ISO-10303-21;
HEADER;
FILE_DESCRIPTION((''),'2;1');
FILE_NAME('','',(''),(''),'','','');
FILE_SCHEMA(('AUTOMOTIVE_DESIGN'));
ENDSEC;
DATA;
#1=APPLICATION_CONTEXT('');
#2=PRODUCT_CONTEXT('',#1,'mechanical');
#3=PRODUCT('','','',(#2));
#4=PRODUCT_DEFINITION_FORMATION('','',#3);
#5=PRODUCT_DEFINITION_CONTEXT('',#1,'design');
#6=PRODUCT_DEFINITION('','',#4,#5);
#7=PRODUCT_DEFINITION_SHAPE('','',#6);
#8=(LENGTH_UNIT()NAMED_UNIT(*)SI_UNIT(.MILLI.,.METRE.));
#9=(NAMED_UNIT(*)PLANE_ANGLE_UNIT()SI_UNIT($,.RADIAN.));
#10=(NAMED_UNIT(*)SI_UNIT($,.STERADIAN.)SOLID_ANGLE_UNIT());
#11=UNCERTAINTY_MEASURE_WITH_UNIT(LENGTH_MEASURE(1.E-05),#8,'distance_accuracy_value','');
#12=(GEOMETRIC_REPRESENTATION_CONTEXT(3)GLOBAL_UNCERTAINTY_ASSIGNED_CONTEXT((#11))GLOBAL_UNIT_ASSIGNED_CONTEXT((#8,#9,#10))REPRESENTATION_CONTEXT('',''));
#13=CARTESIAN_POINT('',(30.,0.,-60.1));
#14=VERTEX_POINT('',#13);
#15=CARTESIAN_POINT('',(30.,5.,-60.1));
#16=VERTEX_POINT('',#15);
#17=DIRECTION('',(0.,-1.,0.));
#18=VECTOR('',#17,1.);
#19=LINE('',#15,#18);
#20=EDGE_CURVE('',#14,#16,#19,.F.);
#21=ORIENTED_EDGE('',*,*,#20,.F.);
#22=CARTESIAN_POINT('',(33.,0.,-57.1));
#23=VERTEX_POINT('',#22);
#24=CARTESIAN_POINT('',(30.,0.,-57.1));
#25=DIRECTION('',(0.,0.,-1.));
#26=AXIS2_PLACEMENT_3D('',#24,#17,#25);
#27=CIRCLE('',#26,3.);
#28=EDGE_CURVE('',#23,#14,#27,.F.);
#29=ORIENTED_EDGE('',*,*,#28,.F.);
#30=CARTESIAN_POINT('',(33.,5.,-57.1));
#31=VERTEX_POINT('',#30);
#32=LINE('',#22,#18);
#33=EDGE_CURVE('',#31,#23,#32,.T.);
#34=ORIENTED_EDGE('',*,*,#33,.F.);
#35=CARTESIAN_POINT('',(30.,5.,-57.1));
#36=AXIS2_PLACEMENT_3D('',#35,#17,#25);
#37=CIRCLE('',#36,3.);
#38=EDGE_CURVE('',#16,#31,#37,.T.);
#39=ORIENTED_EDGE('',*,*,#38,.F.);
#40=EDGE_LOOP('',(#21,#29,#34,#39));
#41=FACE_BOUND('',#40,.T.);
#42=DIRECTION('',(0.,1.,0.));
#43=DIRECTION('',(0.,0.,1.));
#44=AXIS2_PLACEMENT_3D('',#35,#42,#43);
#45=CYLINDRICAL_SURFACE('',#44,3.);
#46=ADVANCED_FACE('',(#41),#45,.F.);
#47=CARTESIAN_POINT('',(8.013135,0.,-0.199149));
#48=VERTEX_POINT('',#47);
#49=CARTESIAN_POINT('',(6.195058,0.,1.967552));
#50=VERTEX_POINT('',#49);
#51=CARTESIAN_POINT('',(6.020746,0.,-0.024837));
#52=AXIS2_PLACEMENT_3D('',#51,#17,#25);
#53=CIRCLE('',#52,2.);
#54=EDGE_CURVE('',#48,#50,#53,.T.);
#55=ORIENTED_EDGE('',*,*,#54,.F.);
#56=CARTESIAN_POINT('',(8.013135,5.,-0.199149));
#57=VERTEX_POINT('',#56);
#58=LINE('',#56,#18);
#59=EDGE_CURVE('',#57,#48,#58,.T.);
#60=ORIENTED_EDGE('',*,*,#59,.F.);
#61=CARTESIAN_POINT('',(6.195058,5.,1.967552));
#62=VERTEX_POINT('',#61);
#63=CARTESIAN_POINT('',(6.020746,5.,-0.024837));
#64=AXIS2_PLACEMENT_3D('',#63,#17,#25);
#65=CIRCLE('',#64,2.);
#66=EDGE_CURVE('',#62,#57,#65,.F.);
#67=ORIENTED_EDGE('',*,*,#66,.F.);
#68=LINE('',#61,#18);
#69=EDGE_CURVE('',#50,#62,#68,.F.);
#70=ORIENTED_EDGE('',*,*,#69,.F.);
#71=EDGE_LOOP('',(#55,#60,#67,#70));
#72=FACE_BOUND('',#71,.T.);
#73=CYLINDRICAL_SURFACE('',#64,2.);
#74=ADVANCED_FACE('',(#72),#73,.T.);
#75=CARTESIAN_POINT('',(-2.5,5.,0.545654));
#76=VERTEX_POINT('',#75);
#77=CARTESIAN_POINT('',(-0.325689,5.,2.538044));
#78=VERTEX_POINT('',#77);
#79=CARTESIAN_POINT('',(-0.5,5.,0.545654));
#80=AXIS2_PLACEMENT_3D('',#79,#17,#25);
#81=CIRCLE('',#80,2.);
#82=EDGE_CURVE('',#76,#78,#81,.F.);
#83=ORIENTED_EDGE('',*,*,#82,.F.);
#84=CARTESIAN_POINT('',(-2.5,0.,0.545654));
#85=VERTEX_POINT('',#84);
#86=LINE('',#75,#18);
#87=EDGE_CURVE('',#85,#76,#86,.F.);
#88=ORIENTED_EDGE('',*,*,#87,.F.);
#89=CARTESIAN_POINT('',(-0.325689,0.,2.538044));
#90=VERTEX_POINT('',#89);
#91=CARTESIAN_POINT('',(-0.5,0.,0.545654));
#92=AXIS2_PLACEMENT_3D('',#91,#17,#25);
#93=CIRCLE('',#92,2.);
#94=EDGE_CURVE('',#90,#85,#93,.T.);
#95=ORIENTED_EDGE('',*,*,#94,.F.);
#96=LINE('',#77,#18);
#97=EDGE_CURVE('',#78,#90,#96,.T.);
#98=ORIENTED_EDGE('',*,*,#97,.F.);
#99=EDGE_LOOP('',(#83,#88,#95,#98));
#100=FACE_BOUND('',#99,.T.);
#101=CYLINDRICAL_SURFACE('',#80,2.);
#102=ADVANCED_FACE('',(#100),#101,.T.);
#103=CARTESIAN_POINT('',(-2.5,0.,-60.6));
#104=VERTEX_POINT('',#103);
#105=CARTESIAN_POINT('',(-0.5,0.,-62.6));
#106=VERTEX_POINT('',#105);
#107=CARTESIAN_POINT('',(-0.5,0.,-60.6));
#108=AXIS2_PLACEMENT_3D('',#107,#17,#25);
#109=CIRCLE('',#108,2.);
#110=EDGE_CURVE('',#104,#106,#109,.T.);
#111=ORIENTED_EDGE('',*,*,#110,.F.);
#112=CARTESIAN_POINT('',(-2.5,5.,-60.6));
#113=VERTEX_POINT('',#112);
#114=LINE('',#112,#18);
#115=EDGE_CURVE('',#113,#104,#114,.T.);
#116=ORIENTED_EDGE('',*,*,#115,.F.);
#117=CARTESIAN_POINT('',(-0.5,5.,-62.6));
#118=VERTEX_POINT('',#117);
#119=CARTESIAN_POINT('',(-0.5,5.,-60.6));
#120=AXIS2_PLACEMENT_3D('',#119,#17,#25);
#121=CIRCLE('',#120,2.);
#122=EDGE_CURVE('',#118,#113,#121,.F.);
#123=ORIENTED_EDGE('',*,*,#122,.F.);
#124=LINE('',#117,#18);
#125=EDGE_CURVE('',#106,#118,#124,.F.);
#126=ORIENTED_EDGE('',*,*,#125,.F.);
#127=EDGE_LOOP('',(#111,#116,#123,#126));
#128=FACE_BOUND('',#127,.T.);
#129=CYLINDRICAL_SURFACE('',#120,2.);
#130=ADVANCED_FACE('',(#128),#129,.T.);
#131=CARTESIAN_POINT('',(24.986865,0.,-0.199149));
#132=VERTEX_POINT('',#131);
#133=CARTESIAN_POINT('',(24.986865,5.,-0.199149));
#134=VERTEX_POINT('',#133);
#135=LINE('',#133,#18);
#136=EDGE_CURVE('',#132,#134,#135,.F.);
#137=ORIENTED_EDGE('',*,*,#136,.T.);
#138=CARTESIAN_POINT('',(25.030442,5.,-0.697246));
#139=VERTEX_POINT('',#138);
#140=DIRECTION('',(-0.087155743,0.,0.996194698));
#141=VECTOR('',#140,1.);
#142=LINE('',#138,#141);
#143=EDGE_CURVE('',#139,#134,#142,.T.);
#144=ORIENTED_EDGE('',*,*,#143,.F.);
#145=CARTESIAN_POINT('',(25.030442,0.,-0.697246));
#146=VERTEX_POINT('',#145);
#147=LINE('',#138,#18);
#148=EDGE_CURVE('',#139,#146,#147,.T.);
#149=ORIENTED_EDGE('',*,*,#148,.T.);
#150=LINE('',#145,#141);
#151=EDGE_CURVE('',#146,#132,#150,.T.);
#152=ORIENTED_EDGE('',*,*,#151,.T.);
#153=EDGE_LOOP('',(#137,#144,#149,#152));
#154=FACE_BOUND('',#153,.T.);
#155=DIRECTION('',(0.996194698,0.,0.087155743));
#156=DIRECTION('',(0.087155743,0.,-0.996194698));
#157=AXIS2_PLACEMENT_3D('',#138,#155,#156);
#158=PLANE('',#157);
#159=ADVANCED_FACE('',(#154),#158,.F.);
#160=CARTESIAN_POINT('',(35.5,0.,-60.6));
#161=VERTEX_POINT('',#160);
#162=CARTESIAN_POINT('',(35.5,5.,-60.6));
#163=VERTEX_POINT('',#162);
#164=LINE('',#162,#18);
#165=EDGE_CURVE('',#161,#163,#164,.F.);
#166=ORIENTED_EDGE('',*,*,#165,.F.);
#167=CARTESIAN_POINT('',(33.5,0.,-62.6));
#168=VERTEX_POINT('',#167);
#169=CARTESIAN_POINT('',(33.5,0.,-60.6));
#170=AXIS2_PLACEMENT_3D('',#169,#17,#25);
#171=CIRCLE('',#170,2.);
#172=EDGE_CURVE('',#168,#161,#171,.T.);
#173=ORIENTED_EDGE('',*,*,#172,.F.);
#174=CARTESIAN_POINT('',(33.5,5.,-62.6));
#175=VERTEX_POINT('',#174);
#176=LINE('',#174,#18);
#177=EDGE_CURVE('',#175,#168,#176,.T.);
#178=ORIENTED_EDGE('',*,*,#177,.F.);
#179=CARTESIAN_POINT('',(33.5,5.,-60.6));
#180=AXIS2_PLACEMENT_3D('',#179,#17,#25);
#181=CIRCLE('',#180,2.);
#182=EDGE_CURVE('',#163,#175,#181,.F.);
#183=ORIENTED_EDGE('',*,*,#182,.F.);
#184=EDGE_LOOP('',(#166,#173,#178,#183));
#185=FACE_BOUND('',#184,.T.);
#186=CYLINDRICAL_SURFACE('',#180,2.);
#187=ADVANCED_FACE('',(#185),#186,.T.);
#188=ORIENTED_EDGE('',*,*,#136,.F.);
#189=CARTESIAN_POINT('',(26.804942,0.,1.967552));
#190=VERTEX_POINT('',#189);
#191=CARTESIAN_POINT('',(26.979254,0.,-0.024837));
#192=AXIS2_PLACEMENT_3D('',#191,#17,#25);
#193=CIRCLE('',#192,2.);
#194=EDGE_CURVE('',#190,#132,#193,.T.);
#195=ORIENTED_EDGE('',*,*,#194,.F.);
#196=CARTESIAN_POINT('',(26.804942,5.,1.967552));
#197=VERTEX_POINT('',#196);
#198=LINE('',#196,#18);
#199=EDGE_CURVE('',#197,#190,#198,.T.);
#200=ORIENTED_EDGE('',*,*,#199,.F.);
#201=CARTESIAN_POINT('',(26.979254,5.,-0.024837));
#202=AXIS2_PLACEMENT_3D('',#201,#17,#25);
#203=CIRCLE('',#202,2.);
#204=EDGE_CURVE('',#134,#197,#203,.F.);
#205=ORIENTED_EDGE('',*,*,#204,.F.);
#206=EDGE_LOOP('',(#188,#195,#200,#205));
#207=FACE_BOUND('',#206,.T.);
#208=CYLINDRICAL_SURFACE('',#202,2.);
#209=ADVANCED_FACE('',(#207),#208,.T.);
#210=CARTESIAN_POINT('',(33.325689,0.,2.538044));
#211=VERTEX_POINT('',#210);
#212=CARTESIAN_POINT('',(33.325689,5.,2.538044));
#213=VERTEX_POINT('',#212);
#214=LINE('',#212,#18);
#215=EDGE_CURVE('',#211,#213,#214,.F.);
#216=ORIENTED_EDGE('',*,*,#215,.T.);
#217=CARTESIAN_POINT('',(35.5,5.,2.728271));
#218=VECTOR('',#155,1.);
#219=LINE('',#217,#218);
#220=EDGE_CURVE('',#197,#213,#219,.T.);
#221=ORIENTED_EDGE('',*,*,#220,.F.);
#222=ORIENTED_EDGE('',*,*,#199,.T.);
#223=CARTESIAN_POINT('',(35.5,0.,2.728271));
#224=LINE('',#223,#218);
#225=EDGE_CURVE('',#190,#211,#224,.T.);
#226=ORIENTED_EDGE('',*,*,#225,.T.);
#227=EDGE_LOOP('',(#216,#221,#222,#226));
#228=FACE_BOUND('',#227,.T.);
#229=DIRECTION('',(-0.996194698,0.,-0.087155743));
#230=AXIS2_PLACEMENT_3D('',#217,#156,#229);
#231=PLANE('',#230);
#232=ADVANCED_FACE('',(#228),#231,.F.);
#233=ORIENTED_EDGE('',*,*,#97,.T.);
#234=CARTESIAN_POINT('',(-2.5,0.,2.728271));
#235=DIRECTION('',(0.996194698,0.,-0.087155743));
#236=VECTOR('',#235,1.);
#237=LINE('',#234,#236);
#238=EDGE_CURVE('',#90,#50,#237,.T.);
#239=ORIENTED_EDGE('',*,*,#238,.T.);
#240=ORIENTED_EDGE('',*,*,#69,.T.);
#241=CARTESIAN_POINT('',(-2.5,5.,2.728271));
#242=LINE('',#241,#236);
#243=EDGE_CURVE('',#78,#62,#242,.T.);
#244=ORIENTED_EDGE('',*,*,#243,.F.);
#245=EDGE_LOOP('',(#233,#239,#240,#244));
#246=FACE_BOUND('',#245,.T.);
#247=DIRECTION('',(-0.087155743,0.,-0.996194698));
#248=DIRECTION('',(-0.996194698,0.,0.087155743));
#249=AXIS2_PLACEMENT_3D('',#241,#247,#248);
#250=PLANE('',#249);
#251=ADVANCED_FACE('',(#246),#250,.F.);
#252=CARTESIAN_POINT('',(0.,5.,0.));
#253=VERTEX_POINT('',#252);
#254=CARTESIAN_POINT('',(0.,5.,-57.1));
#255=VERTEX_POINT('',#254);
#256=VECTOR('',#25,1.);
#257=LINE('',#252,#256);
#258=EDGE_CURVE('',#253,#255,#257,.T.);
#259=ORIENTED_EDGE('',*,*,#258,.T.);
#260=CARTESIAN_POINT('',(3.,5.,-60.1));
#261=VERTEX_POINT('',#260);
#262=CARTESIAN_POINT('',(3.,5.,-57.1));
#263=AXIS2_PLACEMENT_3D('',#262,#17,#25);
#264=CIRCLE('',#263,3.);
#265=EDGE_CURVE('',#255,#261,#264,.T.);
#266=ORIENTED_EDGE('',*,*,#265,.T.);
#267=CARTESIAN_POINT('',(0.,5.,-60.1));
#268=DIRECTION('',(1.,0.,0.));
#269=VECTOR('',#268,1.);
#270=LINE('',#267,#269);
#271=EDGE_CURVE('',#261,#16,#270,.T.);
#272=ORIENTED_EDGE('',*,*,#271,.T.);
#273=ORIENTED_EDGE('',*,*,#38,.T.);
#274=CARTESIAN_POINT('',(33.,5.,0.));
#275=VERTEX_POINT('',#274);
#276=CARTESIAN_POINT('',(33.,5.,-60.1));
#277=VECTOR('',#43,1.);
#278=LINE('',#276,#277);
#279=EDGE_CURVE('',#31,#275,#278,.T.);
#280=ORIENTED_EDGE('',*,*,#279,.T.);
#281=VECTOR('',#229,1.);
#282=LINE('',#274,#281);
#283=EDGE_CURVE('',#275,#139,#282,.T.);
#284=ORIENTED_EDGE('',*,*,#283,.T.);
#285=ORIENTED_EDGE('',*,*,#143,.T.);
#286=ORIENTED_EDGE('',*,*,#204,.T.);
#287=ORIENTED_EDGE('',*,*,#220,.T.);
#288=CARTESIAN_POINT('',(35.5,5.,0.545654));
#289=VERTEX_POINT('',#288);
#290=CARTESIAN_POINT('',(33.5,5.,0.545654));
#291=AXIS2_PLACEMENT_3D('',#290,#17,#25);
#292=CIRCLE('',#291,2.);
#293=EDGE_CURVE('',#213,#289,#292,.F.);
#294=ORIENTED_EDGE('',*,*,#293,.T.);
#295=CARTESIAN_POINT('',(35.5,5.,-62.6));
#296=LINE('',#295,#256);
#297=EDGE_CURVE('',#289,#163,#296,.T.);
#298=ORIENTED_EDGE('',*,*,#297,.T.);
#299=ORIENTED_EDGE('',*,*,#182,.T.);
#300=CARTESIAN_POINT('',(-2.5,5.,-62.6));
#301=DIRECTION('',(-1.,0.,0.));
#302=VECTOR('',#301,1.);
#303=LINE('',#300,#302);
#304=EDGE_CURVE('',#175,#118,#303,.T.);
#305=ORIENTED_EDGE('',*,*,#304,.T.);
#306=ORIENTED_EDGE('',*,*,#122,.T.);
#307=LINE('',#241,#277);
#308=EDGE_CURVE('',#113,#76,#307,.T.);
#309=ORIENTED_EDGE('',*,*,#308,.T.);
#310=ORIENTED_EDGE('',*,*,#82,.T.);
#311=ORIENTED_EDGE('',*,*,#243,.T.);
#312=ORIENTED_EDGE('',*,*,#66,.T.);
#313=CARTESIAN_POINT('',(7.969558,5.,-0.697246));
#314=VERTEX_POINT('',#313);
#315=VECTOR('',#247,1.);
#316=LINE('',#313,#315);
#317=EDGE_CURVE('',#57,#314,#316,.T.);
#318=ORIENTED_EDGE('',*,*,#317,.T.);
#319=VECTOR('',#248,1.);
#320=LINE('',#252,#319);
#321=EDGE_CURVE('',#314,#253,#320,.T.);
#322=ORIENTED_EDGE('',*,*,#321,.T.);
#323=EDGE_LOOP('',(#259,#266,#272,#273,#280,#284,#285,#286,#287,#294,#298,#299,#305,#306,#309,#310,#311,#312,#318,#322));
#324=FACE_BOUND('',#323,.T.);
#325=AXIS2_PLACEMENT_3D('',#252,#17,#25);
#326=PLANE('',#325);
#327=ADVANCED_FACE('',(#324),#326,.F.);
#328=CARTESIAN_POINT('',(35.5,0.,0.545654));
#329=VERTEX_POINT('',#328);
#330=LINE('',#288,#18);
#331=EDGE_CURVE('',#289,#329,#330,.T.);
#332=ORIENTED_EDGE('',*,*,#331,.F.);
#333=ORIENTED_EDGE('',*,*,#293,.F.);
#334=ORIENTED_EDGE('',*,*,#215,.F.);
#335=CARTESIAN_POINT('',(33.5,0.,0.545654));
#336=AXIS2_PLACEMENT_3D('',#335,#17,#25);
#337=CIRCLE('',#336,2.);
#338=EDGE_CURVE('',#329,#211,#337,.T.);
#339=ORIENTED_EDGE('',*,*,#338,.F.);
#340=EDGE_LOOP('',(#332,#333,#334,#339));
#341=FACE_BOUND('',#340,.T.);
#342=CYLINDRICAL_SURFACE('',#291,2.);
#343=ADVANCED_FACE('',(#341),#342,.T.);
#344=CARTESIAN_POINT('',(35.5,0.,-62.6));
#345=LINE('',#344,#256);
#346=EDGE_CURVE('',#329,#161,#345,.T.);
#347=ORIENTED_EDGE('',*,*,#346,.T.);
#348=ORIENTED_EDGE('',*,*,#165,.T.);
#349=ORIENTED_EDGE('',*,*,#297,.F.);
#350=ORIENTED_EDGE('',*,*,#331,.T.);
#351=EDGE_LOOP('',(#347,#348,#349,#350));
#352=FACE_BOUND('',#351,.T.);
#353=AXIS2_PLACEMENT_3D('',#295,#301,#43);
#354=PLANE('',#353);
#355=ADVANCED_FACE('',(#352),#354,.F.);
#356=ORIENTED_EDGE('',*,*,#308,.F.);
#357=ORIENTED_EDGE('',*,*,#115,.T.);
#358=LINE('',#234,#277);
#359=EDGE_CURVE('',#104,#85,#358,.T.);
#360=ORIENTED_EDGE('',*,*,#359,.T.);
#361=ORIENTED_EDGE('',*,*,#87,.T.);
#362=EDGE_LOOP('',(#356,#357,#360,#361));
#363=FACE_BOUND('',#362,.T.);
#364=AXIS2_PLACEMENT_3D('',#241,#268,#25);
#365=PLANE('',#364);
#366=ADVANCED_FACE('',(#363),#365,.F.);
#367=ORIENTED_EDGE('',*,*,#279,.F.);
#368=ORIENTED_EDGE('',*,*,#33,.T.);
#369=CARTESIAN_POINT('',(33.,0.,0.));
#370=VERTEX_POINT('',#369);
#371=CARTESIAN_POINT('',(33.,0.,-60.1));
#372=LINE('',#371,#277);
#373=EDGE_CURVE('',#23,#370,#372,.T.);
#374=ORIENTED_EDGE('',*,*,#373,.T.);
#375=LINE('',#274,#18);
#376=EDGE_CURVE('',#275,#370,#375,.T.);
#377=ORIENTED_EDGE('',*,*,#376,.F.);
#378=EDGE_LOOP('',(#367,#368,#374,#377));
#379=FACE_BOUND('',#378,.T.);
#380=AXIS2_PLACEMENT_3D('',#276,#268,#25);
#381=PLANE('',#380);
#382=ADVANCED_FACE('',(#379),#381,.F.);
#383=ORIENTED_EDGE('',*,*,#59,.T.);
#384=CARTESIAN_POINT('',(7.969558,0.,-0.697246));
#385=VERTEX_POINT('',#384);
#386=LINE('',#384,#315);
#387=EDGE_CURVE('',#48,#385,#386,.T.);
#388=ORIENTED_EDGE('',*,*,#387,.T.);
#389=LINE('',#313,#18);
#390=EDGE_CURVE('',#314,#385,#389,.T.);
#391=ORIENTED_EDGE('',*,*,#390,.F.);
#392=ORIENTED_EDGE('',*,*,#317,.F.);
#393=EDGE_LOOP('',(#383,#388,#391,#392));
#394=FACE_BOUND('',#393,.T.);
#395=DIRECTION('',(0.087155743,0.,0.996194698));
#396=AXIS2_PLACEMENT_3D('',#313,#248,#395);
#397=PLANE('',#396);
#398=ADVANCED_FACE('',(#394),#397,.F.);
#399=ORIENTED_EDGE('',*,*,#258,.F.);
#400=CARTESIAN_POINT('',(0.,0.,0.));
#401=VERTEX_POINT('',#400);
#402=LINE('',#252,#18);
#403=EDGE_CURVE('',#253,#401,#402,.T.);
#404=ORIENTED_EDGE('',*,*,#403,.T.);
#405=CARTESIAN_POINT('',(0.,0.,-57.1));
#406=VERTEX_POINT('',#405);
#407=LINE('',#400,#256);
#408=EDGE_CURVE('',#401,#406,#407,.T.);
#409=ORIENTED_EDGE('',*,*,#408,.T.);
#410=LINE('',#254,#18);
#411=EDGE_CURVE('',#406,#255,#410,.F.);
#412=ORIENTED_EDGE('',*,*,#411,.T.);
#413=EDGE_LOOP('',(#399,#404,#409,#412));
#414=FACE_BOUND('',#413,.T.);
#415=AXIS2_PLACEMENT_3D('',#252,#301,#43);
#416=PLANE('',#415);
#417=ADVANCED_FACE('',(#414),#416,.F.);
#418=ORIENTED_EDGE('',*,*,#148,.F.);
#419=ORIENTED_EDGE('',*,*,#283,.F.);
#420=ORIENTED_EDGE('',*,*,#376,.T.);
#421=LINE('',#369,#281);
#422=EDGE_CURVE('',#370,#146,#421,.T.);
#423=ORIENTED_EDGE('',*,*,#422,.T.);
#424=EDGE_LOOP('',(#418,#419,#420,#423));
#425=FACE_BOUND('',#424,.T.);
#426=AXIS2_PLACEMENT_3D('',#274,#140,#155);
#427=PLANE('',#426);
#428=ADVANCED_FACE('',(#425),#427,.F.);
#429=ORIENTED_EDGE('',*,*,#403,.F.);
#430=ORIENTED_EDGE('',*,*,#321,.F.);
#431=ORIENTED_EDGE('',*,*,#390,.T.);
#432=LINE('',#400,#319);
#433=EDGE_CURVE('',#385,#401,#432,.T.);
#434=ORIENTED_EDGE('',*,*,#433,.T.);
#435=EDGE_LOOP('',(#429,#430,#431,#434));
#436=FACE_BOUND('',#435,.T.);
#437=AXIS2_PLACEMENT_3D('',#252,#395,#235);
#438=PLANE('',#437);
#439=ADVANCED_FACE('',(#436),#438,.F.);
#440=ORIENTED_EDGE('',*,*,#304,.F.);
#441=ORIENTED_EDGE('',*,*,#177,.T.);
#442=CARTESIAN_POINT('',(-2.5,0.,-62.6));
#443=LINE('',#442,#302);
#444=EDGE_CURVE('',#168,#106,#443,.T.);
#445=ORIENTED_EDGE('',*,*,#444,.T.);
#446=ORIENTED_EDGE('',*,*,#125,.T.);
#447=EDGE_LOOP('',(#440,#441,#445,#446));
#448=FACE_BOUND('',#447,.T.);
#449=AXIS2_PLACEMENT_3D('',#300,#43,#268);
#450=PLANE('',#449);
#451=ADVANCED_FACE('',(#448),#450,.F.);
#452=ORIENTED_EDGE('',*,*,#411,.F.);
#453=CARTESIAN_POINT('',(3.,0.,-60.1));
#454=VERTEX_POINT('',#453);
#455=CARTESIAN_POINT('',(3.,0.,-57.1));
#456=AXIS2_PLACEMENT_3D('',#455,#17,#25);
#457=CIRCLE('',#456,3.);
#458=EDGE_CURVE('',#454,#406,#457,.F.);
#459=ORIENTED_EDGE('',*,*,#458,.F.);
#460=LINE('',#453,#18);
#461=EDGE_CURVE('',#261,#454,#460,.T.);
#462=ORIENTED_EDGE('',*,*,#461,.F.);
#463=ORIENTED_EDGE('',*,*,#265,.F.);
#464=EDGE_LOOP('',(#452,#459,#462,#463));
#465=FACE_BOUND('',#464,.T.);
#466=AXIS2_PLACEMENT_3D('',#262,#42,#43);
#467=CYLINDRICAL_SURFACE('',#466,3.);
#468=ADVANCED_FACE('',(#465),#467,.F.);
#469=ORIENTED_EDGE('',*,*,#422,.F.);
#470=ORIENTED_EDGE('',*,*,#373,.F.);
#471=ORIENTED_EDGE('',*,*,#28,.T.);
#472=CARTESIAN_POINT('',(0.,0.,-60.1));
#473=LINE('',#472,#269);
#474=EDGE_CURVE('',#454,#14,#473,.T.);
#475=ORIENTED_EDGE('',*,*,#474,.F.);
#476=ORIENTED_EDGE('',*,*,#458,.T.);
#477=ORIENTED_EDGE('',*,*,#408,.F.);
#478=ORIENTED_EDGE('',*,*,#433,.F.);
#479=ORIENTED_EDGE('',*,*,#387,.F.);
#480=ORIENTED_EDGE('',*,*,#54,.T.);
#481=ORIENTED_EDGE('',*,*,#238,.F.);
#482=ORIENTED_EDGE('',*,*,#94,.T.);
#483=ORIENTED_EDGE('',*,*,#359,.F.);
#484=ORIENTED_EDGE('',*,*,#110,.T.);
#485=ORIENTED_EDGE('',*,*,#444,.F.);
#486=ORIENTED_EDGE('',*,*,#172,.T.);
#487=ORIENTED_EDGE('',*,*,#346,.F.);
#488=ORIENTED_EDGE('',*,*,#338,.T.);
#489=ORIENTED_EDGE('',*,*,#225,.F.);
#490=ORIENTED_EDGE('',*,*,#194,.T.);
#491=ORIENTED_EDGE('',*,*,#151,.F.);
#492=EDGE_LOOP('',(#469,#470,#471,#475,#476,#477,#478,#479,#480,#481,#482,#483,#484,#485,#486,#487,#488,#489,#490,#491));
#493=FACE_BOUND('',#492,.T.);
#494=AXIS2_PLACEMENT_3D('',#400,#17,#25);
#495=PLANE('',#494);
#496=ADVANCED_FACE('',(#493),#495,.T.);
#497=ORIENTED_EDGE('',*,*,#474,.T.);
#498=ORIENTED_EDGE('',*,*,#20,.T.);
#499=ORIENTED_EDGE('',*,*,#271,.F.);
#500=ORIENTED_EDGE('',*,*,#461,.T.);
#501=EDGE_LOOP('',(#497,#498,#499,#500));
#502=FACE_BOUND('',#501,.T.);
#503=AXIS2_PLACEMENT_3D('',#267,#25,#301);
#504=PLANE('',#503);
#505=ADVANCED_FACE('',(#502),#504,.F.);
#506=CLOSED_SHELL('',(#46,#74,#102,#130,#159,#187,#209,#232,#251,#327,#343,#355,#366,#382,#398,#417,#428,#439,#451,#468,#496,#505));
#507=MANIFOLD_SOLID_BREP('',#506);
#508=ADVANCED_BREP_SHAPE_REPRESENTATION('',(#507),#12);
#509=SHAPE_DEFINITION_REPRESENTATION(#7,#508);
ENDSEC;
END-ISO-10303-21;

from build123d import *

# Parameters (mm, degrees)
BOSS_EXTRUDE1_DEPTH = 5
FILLET1_R           = 3
FILLET2_R           = 2


with BuildPart() as part:
    # Sketch2 → Boss-Extrude1 (new body)
    with BuildSketch(Plane(origin=(0, 0, 0), x_dir=(1, 0, 0), z_dir=(0, 1, 0))):
        Polygon((0, 0), (0, 60.1), (33, 60.1), (33, 0), (25.030442415, 0.697245942), (24.812553058, -1.793240803), (35.5, -2.728271253), (35.5, 62.6), (-2.5, 62.6), (-2.5, -2.728271253), (8.187446942, -1.793240803), (7.969557585, 0.697245942), align=None)
    extrude(amount=BOSS_EXTRUDE1_DEPTH)

    # Fillet1
    fillet1_edges = [part.edges().sort_by_distance(p)[0] for p in [
        (33, 2.5, -60.1),
        (0, 2.5, -60.1),
    ]]
    fillet(fillet1_edges, radius=FILLET1_R)

    # Fillet2
    fillet2_edges = [part.edges().sort_by_distance(p)[0] for p in [
        (8.187446942, 2.5, 1.793240803),
        (-2.5, 2.5, 2.728271253),
        (-2.5, 2.5, -62.6),
        (35.5, 2.5, -62.6),
        (35.5, 2.5, 2.728271253),
        (24.812553058, 2.5, 1.793240803),
    ]]
    fillet(fillet2_edges, radius=FILLET2_R)


solid = part.part
